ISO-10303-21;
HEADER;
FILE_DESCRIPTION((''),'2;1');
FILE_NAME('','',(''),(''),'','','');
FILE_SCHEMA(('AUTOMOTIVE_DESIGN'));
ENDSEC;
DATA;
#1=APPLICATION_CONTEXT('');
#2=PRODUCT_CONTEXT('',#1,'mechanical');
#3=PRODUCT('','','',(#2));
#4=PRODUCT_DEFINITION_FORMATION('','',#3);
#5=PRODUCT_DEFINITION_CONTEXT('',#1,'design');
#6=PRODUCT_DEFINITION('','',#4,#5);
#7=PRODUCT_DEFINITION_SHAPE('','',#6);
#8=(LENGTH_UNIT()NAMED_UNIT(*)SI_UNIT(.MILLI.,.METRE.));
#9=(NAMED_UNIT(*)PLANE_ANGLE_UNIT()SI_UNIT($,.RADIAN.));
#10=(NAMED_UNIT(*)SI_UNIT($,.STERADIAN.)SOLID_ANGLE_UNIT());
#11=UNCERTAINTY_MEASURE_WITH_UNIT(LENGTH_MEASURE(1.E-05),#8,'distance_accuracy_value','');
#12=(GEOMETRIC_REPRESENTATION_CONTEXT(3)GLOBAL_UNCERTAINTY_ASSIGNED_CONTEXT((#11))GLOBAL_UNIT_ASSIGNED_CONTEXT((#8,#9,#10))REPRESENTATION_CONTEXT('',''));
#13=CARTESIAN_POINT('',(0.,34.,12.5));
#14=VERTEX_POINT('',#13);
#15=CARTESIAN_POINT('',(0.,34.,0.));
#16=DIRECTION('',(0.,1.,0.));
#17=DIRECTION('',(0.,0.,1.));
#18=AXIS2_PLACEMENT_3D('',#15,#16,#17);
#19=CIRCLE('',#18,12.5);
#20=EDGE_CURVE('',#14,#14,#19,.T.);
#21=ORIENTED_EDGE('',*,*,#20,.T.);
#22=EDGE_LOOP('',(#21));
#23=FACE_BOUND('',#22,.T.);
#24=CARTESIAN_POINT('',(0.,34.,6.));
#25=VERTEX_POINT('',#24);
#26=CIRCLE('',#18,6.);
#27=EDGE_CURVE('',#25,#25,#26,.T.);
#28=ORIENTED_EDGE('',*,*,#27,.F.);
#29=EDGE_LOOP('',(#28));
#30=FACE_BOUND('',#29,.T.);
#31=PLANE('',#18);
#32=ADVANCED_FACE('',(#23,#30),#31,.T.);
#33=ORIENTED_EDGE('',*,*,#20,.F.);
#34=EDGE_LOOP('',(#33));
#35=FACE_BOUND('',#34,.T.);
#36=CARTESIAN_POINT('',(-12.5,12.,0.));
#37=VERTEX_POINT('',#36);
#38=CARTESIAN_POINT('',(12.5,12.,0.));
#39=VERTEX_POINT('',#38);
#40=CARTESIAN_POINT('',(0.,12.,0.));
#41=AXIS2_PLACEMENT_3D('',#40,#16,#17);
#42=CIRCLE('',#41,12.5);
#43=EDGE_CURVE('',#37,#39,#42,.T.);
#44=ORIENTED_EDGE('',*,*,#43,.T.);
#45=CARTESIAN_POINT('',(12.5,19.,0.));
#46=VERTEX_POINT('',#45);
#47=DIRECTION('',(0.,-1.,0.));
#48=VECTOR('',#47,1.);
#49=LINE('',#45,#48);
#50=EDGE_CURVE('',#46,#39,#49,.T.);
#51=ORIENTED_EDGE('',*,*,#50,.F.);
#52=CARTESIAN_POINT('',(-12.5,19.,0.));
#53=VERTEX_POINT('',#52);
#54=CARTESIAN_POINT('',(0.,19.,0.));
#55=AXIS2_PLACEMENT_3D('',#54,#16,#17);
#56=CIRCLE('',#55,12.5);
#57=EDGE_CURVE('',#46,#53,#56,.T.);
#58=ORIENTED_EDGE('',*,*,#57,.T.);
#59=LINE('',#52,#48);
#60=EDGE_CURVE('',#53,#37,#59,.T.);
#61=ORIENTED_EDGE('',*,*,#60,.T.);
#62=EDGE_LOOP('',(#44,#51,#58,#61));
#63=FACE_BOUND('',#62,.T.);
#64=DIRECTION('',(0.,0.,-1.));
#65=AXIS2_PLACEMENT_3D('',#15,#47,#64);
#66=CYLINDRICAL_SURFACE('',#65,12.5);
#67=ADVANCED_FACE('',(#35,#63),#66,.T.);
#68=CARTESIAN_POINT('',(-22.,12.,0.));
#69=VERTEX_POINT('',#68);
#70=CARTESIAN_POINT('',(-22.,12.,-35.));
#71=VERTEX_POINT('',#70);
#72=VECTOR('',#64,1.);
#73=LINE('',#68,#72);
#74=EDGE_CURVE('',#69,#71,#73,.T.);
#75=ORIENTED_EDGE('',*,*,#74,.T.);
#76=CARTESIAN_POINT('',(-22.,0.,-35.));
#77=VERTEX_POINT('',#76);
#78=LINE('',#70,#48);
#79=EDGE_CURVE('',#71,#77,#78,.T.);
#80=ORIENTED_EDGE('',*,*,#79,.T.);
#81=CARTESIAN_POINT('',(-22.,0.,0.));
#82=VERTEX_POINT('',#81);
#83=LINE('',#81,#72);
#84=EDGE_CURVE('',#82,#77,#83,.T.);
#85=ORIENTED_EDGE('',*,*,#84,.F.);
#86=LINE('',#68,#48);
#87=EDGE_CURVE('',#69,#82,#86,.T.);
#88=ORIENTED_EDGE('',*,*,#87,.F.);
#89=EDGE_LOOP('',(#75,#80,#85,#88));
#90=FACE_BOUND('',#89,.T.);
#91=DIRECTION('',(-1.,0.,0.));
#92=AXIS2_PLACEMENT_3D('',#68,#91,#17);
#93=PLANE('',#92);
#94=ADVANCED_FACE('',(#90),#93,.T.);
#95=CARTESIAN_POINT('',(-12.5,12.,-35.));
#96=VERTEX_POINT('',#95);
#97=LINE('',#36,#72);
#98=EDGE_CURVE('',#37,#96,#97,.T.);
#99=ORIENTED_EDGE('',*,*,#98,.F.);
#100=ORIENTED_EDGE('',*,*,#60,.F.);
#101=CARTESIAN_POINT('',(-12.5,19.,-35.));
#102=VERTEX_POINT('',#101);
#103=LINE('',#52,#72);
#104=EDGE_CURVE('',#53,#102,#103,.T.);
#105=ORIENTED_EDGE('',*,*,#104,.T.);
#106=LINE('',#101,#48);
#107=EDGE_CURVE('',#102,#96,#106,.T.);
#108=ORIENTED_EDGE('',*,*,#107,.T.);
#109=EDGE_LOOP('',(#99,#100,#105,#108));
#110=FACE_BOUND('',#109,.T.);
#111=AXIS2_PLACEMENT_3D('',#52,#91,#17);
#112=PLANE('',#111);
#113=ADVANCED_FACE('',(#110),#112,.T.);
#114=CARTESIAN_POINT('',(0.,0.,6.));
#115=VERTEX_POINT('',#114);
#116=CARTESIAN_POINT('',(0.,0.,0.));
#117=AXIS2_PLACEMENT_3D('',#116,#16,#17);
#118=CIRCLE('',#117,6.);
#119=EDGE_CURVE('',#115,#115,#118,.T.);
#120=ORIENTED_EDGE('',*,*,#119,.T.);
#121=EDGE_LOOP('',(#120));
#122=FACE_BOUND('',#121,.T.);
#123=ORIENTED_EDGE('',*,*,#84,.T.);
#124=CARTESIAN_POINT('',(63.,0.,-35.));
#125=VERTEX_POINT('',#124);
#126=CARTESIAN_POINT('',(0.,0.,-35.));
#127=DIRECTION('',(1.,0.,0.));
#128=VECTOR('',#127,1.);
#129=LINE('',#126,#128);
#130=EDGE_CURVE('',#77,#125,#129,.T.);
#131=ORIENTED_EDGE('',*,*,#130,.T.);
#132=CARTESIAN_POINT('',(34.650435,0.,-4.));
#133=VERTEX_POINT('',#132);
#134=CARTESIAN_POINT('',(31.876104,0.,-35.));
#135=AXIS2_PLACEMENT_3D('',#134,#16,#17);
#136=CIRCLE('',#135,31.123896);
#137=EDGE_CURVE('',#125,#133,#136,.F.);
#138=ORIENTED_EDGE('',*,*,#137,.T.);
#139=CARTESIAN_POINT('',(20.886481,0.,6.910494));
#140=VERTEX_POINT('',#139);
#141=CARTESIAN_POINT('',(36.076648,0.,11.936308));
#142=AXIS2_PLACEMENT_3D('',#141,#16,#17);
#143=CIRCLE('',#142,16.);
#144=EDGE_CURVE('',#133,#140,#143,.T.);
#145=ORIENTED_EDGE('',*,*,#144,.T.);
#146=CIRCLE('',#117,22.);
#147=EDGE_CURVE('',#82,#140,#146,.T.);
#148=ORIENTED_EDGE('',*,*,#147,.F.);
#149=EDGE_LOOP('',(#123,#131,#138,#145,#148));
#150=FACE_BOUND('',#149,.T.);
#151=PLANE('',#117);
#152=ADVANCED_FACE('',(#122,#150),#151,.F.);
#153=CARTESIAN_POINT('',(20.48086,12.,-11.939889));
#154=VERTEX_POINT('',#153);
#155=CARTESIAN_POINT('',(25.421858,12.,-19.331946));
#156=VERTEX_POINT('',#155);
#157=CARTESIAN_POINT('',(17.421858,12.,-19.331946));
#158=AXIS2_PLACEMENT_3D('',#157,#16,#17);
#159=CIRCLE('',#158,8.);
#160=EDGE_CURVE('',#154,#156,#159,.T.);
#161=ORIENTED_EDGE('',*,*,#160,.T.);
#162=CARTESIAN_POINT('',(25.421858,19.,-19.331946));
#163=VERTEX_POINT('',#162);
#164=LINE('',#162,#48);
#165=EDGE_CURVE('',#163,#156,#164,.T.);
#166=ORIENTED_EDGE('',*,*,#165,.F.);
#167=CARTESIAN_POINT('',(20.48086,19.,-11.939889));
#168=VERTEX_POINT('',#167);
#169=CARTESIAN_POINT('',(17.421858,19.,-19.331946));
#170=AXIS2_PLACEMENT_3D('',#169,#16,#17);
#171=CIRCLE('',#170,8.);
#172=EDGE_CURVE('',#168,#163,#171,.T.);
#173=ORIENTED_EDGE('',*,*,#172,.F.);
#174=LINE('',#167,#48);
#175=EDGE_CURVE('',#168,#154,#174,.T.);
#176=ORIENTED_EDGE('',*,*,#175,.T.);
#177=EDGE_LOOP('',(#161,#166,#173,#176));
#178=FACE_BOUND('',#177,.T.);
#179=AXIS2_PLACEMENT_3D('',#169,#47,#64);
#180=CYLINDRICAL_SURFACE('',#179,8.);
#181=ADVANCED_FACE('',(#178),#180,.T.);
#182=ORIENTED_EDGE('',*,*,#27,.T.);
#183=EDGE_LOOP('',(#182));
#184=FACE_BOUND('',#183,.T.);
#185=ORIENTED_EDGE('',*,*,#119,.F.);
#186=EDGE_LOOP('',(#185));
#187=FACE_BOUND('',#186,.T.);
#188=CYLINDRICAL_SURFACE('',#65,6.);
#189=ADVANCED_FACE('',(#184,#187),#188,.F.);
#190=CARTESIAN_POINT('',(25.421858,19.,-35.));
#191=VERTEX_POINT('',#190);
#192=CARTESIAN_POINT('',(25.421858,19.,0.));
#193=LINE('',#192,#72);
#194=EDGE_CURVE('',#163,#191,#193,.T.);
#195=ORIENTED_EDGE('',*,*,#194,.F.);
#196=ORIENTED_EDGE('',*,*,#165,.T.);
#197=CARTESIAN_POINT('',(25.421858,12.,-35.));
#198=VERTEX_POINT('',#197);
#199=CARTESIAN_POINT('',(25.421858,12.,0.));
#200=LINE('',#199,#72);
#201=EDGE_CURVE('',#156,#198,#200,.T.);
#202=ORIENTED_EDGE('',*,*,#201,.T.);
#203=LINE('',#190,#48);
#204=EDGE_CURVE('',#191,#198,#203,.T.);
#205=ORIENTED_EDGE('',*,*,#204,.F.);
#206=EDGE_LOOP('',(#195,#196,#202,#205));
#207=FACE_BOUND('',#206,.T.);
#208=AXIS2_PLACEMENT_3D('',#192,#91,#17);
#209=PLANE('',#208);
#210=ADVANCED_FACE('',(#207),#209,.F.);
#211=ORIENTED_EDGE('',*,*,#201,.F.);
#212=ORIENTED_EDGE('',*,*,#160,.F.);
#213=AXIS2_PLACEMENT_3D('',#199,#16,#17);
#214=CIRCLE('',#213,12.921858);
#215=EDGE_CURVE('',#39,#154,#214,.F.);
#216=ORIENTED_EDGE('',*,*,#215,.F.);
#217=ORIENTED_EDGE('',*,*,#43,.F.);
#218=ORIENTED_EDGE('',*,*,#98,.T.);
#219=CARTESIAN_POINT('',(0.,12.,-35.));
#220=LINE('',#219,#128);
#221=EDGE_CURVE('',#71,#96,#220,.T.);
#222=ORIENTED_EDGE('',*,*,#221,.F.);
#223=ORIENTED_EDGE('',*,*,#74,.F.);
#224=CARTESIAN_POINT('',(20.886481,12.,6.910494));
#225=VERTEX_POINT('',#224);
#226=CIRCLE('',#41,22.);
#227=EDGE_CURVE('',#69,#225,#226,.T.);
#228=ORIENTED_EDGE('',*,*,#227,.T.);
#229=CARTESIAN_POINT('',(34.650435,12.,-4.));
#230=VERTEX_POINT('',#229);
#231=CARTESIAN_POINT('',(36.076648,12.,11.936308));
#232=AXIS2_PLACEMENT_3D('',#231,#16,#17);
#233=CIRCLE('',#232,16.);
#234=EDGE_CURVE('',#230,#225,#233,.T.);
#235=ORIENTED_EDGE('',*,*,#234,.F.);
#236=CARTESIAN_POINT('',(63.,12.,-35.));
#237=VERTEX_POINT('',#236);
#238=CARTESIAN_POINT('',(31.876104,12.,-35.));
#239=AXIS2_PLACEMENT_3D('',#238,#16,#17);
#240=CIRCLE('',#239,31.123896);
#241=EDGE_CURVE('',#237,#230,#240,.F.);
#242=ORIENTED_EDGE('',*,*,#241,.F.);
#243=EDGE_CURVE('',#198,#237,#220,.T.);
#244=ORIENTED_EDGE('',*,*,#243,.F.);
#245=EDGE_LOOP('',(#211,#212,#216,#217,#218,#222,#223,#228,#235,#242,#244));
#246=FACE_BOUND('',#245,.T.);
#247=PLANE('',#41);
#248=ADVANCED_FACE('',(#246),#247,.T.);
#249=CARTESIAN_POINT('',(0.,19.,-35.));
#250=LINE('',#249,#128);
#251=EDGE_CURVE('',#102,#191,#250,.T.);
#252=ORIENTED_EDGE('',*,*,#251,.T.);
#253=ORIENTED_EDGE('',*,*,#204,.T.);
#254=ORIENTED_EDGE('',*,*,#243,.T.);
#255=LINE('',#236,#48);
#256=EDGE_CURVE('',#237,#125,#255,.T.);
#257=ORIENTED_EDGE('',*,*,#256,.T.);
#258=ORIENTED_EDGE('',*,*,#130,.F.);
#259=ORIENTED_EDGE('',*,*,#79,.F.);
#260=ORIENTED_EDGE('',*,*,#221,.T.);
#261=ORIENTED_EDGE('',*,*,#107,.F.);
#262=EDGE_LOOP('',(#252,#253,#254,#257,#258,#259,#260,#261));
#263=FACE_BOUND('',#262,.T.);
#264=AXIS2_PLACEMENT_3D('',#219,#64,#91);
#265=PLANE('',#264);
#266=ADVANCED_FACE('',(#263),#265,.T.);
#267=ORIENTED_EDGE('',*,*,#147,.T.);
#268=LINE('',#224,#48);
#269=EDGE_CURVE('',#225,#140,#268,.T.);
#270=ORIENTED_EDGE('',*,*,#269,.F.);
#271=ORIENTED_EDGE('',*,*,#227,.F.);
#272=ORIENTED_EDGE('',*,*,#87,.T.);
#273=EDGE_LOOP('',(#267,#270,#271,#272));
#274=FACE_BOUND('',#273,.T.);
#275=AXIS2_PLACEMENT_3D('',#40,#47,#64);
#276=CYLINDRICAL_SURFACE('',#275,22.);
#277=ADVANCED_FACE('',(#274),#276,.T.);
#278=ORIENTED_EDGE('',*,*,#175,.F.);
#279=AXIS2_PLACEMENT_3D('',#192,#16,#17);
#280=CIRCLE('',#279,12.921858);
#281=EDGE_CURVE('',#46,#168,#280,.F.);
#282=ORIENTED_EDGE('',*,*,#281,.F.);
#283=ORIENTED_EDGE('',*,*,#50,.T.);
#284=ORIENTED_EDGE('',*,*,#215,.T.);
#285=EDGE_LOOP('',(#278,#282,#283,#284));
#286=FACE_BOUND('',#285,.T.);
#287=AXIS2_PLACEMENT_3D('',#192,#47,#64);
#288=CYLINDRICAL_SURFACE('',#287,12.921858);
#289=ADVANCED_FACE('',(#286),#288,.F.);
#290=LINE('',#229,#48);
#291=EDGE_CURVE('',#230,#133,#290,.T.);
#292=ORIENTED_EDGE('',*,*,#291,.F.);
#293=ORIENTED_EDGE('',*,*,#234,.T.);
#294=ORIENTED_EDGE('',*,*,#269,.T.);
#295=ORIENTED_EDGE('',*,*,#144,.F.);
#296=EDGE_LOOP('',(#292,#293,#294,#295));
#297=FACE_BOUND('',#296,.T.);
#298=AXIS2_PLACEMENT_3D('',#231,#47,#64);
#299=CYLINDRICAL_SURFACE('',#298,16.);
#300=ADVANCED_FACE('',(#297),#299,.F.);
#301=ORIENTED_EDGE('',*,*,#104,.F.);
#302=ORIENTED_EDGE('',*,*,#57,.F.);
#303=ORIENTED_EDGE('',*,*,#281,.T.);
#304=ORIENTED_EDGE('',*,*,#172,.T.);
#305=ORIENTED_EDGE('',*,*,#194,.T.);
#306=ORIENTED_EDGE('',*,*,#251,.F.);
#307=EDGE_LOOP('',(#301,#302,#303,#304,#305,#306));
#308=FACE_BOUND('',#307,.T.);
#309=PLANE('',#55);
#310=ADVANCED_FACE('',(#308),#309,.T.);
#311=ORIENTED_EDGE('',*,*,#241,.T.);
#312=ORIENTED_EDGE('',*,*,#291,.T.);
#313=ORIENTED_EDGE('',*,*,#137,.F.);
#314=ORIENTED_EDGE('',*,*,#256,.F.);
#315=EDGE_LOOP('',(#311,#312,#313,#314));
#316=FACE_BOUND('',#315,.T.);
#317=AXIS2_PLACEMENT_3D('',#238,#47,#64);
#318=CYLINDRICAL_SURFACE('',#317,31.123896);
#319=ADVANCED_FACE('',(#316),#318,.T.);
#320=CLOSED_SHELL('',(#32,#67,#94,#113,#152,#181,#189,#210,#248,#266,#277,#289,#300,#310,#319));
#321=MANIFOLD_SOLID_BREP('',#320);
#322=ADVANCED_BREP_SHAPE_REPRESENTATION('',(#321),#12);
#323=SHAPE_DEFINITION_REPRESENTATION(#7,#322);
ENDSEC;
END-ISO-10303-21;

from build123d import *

# Parameters (mm, degrees)
BOSS_EXTRUDE1_DEPTH = 12
BOSS_EXTRUDE2_DEPTH = 19
SKETCH1_4_R         = 6
BOSS_EXTRUDE3_DEPTH = 34


with BuildPart() as part:
    # Sketch1 → Boss-Extrude1 (new body)
    with BuildSketch(Plane(origin=(0, 0, 0), x_dir=(1, 0, 0), z_dir=(0, 1, 0))):
        with BuildLine():
            Line((-22, 35), (-22, 0))
            ThreePointArc((-22, 0), (-3.499816256, -21.719836237), (20.886480561, -6.910494177))
            ThreePointArc((20.886480561, -6.910494177), (26.137546313, 0.602202667), (34.650435288, 4))
            ThreePointArc((34.650435288, 4), (54.843960905, 13.995846724), (63, 35))
            Line((63, 35), (25.421858315, 35))
            Line((25.421858315, 35), (25.421858315, 19.331946497))
            ThreePointArc((25.421858315, 19.331946497), (24.072873785, 14.886275206), (20.480860008, 11.939889365))
            ThreePointArc((20.480860008, 11.939889365), (14.678923372, 7.180791818), (12.5, 0))
            ThreePointArc((12.5, 0), (0, -12.5), (-12.5, 0))
            Line((-12.5, 0), (-12.5, 35))
            Line((-12.5, 35), (-22, 35))
        make_face()
    extrude(amount=BOSS_EXTRUDE1_DEPTH)

    # Sketch1<3> → Boss-Extrude2 (add)
    with BuildSketch(Plane(origin=(0, 0, 0), x_dir=(1, 0, 0), z_dir=(0, 1, 0))):
        with BuildLine():
            Line((25.421858315, 35), (-12.5, 35))
            Line((-12.5, 35), (-12.5, 0))
            ThreePointArc((-12.5, 0), (0, 12.5), (12.5, 0))
            ThreePointArc((12.5, 0), (14.678923372, 7.180791818), (20.480860008, 11.939889365))
            ThreePointArc((20.480860008, 11.939889365), (24.072873785, 14.886275206), (25.421858315, 19.331946497))
            Line((25.421858315, 19.331946497), (25.421858315, 35))
        make_face()
    extrude(amount=BOSS_EXTRUDE2_DEPTH)

    # Sketch1<4> → Boss-Extrude3 (add)
    with BuildSketch(Plane(origin=(0, 0, 0), x_dir=(1, 0, 0), z_dir=(0, 1, 0))):
        with BuildLine():
            ThreePointArc((12.5, 0), (0, 12.5), (-12.5, 0))
            ThreePointArc((-12.5, 0), (0, -12.5), (12.5, 0))
        make_face()
        Circle(SKETCH1_4_R, mode=Mode.SUBTRACT)
    extrude(amount=BOSS_EXTRUDE3_DEPTH)


solid = part.part
